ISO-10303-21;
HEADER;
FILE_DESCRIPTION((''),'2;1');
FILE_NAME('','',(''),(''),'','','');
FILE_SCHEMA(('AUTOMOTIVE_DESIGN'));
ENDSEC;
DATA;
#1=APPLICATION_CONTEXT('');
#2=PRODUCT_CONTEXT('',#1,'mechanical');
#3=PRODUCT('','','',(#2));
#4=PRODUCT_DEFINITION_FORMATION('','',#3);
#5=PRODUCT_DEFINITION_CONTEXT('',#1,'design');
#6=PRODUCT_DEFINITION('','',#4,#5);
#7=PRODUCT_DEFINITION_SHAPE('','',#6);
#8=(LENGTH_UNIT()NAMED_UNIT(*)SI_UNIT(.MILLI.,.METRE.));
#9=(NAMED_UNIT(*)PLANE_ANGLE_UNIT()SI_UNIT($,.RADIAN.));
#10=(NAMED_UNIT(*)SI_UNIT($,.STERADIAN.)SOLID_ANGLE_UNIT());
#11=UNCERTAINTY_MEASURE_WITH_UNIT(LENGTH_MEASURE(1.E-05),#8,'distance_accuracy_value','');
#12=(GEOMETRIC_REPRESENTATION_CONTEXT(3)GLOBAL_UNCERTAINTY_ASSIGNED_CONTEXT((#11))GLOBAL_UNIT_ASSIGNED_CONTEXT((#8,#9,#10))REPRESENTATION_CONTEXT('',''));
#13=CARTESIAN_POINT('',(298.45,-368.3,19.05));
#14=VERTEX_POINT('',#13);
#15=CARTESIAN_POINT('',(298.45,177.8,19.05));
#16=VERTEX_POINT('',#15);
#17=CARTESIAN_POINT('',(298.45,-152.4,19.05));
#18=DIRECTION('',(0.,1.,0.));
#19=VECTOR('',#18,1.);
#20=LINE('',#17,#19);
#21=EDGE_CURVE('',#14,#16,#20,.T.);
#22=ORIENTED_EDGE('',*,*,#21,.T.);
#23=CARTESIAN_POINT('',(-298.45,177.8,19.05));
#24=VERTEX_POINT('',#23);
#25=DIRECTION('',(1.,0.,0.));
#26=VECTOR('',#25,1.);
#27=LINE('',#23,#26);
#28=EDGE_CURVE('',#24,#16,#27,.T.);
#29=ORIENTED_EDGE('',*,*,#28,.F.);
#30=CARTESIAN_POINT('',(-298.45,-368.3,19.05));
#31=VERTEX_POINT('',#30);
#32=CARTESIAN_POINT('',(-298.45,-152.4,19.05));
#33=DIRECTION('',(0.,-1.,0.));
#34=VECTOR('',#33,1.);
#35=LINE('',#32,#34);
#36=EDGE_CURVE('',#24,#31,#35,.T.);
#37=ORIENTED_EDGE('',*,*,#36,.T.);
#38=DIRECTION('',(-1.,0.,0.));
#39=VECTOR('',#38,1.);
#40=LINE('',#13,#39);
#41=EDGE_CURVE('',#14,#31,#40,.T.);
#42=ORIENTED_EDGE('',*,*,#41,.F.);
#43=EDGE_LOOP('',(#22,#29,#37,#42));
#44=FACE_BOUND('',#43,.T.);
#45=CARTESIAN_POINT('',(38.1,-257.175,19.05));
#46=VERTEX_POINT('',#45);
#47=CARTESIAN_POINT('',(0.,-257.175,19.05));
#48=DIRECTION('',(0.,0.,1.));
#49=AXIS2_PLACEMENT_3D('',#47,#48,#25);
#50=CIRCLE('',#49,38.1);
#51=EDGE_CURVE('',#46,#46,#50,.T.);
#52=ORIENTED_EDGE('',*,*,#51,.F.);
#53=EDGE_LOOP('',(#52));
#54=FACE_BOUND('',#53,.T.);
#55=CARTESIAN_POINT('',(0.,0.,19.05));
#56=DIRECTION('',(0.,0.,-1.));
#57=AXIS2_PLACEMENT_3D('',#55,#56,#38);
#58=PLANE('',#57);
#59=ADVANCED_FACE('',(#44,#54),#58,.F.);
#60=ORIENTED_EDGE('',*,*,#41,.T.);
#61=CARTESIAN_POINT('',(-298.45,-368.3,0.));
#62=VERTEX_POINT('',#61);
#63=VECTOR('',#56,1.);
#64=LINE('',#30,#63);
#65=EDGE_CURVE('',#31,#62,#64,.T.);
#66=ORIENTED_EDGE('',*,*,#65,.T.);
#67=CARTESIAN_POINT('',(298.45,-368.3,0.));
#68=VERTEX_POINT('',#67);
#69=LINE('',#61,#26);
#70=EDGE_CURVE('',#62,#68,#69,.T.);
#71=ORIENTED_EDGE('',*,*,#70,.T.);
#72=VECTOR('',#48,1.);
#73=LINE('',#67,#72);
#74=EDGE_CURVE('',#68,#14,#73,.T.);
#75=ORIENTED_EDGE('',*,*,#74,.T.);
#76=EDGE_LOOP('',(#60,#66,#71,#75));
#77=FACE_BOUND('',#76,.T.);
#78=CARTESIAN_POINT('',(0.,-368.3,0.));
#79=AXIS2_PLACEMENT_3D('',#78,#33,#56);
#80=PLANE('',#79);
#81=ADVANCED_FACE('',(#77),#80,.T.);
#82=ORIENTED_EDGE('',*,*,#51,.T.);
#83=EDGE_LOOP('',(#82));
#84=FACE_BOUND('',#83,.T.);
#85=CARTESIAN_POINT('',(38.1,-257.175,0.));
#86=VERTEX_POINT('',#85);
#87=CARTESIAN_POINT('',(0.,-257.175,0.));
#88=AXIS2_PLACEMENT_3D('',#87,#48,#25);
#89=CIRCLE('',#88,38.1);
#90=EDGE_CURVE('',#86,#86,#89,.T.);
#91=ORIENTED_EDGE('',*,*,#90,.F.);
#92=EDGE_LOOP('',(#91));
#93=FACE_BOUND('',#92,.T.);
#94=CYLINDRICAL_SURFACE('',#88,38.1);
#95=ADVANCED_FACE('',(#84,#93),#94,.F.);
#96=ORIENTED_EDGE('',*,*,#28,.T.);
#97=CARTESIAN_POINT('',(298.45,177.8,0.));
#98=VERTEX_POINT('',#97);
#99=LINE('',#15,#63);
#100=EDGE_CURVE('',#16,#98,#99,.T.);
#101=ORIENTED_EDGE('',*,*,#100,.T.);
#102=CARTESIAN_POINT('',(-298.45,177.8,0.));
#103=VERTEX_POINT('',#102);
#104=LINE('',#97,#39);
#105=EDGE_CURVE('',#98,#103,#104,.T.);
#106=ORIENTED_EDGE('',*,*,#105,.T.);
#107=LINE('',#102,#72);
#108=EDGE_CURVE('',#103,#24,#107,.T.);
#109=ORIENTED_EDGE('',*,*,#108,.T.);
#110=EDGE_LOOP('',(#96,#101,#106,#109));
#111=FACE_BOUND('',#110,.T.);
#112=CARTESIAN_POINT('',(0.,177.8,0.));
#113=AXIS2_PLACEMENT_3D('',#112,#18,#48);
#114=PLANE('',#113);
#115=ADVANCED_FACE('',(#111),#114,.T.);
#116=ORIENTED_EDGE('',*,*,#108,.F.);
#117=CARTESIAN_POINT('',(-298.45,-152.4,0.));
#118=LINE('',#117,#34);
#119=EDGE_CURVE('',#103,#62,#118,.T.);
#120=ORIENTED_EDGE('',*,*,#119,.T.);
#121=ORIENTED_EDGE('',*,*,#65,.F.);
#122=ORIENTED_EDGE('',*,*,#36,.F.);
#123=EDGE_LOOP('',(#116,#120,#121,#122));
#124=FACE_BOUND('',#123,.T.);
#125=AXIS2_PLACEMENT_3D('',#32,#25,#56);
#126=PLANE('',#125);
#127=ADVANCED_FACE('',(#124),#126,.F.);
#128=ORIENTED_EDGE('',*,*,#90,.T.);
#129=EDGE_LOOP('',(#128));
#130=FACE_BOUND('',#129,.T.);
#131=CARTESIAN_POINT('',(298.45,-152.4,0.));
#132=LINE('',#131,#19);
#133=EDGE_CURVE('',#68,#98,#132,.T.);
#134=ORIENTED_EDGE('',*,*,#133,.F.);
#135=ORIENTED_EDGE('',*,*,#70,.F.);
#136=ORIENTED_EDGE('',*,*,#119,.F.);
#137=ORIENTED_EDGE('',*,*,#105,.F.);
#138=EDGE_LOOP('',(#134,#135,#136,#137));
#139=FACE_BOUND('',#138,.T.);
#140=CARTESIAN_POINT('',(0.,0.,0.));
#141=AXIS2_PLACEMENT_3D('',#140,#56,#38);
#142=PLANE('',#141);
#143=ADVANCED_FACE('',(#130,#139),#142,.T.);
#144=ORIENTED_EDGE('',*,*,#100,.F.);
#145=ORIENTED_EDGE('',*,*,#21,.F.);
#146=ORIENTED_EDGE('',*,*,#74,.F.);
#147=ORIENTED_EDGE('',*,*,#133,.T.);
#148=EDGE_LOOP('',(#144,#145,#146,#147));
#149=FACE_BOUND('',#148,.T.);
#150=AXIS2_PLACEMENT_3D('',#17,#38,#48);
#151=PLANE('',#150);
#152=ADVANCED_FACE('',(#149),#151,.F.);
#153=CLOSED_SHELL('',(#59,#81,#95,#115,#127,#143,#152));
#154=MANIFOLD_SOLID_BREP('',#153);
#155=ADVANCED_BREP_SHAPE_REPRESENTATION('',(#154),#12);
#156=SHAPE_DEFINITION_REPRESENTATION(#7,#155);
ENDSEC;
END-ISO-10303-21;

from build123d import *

# Parameters (mm, degrees)
SKETCH1_W           = 596.9
SKETCH1_H           = 304.8
BOSS_EXTRUDE1_DEPTH = 19.05
SKETCH2_W           = 596.9
SKETCH2_H           = 19.05
BOSS_EXTRUDE2_DEPTH = 25.4
SKETCH3_W           = 596.9
SKETCH3_H           = 19.05
BOSS_EXTRUDE3_DEPTH = 215.9
SKETCH4_R           = 38.1
CUT_EXTRUDE1_DEPTH  = 20.05


with BuildPart() as part:
    # Sketch1 → Boss-Extrude1 (new body)
    with BuildSketch(Plane.XY):
        Rectangle(SKETCH1_W, SKETCH1_H)
    extrude(amount=BOSS_EXTRUDE1_DEPTH)

    # Sketch2 → Boss-Extrude2 (add)
    with BuildSketch(Plane(origin=(0, 152.4, 0), x_dir=(1, 0, 0), z_dir=(0, 1, 0))):
        with Locations((0, -9.525)):
            Rectangle(SKETCH2_W, SKETCH2_H)
    extrude(amount=BOSS_EXTRUDE2_DEPTH)

    # Sketch3 → Boss-Extrude3 (add)
    with BuildSketch(Plane.XZ.offset(152.4)):
        with Locations((0, 9.525)):
            Rectangle(SKETCH3_W, SKETCH3_H)
    extrude(amount=BOSS_EXTRUDE3_DEPTH)

    # Sketch4 → Cut-Extrude1 (cut, through all)
    with BuildSketch(Plane.XY.offset(19.05)):
        with Locations((0, -257.175)):
            Circle(SKETCH4_R)
    extrude(amount=-CUT_EXTRUDE1_DEPTH, mode=Mode.SUBTRACT)


solid = part.part
